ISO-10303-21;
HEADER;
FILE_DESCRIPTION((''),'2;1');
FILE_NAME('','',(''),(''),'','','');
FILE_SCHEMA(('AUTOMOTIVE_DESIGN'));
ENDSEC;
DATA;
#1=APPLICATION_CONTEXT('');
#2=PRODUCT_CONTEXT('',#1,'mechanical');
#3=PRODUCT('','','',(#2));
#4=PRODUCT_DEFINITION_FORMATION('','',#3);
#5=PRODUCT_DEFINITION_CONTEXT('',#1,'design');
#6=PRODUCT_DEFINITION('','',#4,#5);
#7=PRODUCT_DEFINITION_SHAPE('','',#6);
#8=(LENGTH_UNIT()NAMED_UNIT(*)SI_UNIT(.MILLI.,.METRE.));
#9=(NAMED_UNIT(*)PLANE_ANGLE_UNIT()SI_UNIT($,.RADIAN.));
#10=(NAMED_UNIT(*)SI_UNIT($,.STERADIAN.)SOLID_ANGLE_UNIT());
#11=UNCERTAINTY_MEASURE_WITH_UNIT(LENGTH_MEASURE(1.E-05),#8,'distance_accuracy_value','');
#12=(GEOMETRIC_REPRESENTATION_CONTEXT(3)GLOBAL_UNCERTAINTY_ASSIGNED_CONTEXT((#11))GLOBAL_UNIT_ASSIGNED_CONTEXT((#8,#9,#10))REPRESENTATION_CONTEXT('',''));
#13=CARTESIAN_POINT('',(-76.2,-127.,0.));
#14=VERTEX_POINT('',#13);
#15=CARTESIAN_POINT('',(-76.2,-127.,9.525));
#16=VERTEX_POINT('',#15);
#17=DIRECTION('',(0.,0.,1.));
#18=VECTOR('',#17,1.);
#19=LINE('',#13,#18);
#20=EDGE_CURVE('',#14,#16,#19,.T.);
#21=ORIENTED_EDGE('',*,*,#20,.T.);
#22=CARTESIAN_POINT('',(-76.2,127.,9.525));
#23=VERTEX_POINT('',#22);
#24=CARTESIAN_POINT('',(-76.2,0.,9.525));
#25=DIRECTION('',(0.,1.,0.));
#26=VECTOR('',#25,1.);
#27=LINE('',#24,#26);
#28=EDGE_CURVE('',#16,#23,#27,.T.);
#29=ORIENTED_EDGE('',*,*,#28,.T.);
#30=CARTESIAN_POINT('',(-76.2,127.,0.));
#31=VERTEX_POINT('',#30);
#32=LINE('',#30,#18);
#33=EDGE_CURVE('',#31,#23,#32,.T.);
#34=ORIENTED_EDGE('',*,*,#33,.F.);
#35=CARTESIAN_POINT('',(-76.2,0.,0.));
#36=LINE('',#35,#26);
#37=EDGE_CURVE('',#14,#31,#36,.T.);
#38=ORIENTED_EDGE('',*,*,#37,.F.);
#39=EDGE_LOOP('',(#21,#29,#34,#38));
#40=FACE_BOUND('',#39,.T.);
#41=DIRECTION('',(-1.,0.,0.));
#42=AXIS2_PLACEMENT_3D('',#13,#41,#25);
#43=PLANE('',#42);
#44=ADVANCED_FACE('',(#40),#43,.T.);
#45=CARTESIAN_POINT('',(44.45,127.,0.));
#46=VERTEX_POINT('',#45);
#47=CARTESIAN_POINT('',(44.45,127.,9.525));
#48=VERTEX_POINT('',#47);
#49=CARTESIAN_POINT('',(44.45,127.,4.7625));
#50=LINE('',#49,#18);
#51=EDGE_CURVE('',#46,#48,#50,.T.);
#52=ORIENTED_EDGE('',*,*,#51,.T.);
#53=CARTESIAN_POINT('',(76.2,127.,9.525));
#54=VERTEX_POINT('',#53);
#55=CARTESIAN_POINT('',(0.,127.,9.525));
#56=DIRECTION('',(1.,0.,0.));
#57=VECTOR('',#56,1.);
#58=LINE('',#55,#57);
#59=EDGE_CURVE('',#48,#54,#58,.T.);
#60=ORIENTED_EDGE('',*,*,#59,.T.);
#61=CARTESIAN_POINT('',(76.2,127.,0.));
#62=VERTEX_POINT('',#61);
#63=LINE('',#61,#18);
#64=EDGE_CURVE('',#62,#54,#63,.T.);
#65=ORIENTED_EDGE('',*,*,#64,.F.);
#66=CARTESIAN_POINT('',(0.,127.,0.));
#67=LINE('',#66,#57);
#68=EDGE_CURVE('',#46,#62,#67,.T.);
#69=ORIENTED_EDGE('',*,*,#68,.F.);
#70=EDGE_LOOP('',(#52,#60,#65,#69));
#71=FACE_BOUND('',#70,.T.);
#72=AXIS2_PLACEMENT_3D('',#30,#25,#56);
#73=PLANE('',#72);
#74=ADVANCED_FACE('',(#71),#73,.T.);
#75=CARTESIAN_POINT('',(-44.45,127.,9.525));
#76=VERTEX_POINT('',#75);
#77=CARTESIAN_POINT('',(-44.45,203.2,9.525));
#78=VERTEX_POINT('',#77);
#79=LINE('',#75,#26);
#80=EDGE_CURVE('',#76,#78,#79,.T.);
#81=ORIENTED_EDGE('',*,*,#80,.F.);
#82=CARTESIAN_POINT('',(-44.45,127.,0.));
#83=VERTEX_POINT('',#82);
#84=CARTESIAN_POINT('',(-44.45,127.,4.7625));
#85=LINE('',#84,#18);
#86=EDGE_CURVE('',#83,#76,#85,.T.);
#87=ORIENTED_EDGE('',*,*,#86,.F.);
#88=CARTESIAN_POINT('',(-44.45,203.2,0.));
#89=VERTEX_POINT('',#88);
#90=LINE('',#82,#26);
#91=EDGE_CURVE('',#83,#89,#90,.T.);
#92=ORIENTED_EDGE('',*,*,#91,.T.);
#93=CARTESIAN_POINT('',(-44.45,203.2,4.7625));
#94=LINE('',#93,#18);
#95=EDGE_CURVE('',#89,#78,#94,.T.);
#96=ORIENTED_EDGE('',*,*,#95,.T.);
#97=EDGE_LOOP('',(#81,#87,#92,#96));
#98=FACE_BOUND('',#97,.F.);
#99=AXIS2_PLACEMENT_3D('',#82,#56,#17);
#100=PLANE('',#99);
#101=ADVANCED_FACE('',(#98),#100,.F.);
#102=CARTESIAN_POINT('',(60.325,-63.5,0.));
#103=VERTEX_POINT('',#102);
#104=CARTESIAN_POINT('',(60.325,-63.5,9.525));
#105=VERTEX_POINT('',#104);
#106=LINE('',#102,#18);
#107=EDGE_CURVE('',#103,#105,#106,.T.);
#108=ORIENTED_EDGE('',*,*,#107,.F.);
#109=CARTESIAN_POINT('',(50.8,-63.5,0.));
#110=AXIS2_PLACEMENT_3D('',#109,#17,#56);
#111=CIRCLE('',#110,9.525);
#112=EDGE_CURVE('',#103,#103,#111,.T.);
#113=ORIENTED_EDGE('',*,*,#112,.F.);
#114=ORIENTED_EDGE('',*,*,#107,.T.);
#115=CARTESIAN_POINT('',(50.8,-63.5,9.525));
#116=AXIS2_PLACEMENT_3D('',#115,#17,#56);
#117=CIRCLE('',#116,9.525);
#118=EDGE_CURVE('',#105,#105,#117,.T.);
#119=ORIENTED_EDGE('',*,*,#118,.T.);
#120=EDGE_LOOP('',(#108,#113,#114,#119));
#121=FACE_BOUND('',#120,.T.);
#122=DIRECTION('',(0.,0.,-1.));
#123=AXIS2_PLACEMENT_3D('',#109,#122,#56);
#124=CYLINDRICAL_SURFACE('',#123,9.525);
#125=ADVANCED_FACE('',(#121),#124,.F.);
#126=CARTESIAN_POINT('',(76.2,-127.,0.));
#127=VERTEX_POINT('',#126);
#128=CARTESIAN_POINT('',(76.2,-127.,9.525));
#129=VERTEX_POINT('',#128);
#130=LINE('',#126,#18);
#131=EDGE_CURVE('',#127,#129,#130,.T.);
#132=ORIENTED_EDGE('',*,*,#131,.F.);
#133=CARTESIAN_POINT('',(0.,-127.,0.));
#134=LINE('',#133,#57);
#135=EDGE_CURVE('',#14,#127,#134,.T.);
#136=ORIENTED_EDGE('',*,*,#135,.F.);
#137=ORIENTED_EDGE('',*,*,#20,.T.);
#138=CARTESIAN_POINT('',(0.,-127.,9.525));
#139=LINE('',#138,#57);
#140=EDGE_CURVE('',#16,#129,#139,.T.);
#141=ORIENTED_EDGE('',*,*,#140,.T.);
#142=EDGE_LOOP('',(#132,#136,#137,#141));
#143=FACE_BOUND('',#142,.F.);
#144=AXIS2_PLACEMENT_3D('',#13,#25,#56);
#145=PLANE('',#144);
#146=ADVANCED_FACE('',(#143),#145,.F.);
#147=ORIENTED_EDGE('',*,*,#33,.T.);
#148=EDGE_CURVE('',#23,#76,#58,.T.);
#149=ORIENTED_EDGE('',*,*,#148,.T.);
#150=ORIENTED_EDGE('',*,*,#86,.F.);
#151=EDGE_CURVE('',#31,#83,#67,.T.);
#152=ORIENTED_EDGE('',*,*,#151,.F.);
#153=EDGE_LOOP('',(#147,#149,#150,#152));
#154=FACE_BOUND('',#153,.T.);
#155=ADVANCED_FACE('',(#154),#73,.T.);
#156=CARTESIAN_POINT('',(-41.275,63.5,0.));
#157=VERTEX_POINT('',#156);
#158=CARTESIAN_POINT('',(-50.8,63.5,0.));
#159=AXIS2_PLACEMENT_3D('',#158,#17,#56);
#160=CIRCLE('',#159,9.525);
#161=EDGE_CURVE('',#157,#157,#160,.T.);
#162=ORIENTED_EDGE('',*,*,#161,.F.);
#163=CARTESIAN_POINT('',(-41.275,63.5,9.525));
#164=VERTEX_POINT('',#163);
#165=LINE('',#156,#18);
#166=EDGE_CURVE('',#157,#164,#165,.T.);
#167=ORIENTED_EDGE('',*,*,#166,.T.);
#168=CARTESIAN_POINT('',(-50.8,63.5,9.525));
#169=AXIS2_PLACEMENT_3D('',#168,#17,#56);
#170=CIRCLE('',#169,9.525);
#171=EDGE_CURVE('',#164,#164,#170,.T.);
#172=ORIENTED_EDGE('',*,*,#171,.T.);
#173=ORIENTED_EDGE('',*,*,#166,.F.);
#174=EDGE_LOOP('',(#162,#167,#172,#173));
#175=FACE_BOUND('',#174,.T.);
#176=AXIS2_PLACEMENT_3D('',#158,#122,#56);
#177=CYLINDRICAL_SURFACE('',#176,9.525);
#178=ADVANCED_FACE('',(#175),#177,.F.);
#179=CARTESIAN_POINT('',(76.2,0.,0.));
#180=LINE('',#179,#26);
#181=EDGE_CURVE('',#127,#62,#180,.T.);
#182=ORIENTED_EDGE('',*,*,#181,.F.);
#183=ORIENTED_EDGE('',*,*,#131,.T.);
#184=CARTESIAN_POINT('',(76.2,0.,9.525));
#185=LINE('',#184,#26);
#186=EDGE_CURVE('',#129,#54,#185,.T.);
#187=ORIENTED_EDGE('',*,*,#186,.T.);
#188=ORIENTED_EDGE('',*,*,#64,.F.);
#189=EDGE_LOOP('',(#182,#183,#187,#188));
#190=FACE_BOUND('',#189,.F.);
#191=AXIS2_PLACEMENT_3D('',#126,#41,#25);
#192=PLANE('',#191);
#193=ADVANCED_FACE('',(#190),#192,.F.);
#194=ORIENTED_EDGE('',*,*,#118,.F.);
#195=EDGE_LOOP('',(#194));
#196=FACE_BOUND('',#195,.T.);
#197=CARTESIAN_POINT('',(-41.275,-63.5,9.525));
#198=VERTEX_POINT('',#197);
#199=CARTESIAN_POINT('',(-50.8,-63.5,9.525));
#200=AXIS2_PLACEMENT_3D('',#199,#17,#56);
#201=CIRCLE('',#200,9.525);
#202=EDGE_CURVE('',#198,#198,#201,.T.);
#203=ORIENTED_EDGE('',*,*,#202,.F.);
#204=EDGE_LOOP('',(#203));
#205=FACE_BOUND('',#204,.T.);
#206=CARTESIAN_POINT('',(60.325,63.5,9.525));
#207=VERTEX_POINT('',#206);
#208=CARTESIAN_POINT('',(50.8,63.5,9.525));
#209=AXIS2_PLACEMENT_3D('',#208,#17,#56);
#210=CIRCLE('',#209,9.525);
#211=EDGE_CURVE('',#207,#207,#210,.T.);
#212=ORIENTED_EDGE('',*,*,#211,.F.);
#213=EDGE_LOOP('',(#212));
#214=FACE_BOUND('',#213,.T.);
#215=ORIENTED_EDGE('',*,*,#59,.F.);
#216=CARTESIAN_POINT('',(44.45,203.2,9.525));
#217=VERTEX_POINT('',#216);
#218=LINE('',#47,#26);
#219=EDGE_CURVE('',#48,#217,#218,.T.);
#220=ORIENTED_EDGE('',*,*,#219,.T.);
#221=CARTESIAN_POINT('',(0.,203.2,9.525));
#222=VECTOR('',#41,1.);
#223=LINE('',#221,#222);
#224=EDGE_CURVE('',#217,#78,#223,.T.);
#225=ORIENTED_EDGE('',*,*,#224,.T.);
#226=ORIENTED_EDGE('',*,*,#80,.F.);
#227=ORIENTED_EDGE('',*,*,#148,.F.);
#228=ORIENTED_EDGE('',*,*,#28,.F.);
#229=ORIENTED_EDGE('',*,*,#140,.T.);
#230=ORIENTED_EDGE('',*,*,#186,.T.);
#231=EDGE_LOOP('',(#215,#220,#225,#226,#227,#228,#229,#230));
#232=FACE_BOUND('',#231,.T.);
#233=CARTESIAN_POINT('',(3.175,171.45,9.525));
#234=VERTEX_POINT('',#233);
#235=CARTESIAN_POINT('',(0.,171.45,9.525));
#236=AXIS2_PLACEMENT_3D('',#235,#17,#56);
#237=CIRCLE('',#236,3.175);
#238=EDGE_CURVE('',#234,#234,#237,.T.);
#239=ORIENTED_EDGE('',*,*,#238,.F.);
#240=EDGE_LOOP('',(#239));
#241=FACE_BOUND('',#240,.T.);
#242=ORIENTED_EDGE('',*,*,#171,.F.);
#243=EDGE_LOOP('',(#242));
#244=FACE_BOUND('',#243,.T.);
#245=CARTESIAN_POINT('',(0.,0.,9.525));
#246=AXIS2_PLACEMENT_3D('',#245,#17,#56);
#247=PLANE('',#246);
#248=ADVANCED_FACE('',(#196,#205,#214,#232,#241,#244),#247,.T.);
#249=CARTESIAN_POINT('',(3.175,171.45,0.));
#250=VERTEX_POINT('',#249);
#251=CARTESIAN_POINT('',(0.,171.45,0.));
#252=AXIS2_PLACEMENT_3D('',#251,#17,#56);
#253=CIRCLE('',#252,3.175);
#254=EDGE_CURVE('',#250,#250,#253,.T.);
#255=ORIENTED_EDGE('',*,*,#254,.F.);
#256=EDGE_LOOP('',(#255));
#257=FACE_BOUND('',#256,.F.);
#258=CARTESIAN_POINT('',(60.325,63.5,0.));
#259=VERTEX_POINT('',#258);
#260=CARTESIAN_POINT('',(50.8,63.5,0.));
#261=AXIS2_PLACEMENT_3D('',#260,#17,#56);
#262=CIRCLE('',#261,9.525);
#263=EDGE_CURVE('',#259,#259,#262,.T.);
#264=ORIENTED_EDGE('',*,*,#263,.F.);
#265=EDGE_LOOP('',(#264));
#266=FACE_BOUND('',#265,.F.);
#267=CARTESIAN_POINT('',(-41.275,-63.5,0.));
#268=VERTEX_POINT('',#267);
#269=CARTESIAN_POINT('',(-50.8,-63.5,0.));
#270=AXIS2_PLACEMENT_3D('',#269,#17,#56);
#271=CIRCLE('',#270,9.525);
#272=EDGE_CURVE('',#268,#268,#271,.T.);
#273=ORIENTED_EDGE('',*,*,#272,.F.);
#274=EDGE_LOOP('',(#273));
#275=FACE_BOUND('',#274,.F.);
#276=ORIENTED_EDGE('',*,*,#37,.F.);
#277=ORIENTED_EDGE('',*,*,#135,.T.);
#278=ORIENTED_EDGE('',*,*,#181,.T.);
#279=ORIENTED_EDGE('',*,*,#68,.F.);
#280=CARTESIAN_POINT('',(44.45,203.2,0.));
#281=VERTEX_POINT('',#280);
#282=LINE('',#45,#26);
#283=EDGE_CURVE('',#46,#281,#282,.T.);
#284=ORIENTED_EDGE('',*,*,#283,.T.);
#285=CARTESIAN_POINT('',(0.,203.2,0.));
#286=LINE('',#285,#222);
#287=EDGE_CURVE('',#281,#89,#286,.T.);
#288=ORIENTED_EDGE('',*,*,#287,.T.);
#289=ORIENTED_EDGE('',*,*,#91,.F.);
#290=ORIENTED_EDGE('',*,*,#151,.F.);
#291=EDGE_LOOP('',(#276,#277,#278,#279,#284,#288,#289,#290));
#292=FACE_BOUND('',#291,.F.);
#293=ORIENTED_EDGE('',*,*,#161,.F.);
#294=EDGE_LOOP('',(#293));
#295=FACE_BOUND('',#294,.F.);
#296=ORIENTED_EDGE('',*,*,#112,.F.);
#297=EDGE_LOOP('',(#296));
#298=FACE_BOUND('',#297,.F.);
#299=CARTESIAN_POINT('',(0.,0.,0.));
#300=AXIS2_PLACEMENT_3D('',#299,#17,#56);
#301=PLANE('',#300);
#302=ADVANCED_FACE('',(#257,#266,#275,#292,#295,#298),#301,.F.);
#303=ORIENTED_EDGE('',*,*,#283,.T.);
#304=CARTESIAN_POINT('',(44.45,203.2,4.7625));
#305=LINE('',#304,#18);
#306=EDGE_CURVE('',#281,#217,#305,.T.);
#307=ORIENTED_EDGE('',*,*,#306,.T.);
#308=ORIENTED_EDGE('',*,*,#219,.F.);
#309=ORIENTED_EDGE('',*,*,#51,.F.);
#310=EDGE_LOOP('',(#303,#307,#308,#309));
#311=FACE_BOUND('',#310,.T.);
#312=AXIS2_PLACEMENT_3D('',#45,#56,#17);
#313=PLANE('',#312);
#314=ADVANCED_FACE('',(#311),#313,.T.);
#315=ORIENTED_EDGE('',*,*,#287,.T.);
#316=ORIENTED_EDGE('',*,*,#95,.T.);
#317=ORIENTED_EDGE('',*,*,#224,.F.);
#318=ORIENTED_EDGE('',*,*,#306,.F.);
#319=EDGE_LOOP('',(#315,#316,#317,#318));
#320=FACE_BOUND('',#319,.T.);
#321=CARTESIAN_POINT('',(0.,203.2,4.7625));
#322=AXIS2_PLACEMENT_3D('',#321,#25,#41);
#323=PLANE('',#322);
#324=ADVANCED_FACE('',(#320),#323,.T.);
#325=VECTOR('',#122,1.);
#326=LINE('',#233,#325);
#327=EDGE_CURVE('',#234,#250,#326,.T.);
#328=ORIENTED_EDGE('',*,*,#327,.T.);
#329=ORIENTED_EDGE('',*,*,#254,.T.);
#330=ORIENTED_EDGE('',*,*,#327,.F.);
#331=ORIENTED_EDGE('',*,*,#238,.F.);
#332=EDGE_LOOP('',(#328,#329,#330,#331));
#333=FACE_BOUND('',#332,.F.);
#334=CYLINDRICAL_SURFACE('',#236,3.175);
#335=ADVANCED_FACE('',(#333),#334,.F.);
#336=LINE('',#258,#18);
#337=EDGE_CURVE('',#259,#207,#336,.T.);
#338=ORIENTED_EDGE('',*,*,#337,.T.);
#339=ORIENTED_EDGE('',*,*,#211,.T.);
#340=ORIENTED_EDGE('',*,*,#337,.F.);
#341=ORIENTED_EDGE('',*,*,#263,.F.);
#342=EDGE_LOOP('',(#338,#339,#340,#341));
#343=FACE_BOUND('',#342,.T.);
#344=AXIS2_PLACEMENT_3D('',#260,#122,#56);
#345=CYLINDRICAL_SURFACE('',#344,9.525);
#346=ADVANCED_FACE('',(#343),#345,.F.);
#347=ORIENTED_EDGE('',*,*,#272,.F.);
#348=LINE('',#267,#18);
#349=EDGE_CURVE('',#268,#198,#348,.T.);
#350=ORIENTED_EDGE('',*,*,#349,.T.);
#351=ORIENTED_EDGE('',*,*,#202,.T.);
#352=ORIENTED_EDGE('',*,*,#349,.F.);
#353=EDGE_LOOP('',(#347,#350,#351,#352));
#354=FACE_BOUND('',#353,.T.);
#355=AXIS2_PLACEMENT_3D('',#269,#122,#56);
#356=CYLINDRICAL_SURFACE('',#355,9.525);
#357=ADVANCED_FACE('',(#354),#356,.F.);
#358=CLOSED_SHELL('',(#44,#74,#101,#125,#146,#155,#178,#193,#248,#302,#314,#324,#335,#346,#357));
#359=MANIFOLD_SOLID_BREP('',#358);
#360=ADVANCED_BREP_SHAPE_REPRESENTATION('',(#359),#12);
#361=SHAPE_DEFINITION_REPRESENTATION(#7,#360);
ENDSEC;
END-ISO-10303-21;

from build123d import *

# Parameters (mm, degrees)
F0_W     = 152.4
F0_H     = 254
F0_R     = 9.525
F1_DEPTH = 9.525
F2_W     = 88.9
F2_H     = 9.525
F3_DEPTH = 76.2
F4_R     = 3.175
F5_DEPTH = 9.526


with BuildPart() as f1:
    # F0 (on Top) → F1 (new body)
    with BuildSketch(Plane.XY):
        Rectangle(F0_W, F0_H)
        with Locations((-50.8, -63.5)):
            Circle(F0_R, mode=Mode.SUBTRACT)
        with Locations((50.8, -63.5)):
            Circle(F0_R, mode=Mode.SUBTRACT)
        with Locations((-50.8, 63.5)):
            Circle(F0_R, mode=Mode.SUBTRACT)
        with Locations((50.8, 63.5)):
            Circle(F0_R, mode=Mode.SUBTRACT)
    extrude(amount=F1_DEPTH)

    # F2 (on face) → F3 (join)
    with BuildSketch(Plane(origin=(0, 127, 0), x_dir=(-1, 0, 0), z_dir=(0, 1, 0))):
        with Locations((0, 4.7625)):
            Rectangle(F2_W, F2_H)
    extrude(amount=F3_DEPTH)

    # F4 (on face) → F5 (cut, through all)
    with BuildSketch(Plane.XY.offset(9.525)):
        with Locations((0, 171.45)):
            Circle(F4_R)
    extrude(amount=-F5_DEPTH, mode=Mode.SUBTRACT)


solid = f1.part
